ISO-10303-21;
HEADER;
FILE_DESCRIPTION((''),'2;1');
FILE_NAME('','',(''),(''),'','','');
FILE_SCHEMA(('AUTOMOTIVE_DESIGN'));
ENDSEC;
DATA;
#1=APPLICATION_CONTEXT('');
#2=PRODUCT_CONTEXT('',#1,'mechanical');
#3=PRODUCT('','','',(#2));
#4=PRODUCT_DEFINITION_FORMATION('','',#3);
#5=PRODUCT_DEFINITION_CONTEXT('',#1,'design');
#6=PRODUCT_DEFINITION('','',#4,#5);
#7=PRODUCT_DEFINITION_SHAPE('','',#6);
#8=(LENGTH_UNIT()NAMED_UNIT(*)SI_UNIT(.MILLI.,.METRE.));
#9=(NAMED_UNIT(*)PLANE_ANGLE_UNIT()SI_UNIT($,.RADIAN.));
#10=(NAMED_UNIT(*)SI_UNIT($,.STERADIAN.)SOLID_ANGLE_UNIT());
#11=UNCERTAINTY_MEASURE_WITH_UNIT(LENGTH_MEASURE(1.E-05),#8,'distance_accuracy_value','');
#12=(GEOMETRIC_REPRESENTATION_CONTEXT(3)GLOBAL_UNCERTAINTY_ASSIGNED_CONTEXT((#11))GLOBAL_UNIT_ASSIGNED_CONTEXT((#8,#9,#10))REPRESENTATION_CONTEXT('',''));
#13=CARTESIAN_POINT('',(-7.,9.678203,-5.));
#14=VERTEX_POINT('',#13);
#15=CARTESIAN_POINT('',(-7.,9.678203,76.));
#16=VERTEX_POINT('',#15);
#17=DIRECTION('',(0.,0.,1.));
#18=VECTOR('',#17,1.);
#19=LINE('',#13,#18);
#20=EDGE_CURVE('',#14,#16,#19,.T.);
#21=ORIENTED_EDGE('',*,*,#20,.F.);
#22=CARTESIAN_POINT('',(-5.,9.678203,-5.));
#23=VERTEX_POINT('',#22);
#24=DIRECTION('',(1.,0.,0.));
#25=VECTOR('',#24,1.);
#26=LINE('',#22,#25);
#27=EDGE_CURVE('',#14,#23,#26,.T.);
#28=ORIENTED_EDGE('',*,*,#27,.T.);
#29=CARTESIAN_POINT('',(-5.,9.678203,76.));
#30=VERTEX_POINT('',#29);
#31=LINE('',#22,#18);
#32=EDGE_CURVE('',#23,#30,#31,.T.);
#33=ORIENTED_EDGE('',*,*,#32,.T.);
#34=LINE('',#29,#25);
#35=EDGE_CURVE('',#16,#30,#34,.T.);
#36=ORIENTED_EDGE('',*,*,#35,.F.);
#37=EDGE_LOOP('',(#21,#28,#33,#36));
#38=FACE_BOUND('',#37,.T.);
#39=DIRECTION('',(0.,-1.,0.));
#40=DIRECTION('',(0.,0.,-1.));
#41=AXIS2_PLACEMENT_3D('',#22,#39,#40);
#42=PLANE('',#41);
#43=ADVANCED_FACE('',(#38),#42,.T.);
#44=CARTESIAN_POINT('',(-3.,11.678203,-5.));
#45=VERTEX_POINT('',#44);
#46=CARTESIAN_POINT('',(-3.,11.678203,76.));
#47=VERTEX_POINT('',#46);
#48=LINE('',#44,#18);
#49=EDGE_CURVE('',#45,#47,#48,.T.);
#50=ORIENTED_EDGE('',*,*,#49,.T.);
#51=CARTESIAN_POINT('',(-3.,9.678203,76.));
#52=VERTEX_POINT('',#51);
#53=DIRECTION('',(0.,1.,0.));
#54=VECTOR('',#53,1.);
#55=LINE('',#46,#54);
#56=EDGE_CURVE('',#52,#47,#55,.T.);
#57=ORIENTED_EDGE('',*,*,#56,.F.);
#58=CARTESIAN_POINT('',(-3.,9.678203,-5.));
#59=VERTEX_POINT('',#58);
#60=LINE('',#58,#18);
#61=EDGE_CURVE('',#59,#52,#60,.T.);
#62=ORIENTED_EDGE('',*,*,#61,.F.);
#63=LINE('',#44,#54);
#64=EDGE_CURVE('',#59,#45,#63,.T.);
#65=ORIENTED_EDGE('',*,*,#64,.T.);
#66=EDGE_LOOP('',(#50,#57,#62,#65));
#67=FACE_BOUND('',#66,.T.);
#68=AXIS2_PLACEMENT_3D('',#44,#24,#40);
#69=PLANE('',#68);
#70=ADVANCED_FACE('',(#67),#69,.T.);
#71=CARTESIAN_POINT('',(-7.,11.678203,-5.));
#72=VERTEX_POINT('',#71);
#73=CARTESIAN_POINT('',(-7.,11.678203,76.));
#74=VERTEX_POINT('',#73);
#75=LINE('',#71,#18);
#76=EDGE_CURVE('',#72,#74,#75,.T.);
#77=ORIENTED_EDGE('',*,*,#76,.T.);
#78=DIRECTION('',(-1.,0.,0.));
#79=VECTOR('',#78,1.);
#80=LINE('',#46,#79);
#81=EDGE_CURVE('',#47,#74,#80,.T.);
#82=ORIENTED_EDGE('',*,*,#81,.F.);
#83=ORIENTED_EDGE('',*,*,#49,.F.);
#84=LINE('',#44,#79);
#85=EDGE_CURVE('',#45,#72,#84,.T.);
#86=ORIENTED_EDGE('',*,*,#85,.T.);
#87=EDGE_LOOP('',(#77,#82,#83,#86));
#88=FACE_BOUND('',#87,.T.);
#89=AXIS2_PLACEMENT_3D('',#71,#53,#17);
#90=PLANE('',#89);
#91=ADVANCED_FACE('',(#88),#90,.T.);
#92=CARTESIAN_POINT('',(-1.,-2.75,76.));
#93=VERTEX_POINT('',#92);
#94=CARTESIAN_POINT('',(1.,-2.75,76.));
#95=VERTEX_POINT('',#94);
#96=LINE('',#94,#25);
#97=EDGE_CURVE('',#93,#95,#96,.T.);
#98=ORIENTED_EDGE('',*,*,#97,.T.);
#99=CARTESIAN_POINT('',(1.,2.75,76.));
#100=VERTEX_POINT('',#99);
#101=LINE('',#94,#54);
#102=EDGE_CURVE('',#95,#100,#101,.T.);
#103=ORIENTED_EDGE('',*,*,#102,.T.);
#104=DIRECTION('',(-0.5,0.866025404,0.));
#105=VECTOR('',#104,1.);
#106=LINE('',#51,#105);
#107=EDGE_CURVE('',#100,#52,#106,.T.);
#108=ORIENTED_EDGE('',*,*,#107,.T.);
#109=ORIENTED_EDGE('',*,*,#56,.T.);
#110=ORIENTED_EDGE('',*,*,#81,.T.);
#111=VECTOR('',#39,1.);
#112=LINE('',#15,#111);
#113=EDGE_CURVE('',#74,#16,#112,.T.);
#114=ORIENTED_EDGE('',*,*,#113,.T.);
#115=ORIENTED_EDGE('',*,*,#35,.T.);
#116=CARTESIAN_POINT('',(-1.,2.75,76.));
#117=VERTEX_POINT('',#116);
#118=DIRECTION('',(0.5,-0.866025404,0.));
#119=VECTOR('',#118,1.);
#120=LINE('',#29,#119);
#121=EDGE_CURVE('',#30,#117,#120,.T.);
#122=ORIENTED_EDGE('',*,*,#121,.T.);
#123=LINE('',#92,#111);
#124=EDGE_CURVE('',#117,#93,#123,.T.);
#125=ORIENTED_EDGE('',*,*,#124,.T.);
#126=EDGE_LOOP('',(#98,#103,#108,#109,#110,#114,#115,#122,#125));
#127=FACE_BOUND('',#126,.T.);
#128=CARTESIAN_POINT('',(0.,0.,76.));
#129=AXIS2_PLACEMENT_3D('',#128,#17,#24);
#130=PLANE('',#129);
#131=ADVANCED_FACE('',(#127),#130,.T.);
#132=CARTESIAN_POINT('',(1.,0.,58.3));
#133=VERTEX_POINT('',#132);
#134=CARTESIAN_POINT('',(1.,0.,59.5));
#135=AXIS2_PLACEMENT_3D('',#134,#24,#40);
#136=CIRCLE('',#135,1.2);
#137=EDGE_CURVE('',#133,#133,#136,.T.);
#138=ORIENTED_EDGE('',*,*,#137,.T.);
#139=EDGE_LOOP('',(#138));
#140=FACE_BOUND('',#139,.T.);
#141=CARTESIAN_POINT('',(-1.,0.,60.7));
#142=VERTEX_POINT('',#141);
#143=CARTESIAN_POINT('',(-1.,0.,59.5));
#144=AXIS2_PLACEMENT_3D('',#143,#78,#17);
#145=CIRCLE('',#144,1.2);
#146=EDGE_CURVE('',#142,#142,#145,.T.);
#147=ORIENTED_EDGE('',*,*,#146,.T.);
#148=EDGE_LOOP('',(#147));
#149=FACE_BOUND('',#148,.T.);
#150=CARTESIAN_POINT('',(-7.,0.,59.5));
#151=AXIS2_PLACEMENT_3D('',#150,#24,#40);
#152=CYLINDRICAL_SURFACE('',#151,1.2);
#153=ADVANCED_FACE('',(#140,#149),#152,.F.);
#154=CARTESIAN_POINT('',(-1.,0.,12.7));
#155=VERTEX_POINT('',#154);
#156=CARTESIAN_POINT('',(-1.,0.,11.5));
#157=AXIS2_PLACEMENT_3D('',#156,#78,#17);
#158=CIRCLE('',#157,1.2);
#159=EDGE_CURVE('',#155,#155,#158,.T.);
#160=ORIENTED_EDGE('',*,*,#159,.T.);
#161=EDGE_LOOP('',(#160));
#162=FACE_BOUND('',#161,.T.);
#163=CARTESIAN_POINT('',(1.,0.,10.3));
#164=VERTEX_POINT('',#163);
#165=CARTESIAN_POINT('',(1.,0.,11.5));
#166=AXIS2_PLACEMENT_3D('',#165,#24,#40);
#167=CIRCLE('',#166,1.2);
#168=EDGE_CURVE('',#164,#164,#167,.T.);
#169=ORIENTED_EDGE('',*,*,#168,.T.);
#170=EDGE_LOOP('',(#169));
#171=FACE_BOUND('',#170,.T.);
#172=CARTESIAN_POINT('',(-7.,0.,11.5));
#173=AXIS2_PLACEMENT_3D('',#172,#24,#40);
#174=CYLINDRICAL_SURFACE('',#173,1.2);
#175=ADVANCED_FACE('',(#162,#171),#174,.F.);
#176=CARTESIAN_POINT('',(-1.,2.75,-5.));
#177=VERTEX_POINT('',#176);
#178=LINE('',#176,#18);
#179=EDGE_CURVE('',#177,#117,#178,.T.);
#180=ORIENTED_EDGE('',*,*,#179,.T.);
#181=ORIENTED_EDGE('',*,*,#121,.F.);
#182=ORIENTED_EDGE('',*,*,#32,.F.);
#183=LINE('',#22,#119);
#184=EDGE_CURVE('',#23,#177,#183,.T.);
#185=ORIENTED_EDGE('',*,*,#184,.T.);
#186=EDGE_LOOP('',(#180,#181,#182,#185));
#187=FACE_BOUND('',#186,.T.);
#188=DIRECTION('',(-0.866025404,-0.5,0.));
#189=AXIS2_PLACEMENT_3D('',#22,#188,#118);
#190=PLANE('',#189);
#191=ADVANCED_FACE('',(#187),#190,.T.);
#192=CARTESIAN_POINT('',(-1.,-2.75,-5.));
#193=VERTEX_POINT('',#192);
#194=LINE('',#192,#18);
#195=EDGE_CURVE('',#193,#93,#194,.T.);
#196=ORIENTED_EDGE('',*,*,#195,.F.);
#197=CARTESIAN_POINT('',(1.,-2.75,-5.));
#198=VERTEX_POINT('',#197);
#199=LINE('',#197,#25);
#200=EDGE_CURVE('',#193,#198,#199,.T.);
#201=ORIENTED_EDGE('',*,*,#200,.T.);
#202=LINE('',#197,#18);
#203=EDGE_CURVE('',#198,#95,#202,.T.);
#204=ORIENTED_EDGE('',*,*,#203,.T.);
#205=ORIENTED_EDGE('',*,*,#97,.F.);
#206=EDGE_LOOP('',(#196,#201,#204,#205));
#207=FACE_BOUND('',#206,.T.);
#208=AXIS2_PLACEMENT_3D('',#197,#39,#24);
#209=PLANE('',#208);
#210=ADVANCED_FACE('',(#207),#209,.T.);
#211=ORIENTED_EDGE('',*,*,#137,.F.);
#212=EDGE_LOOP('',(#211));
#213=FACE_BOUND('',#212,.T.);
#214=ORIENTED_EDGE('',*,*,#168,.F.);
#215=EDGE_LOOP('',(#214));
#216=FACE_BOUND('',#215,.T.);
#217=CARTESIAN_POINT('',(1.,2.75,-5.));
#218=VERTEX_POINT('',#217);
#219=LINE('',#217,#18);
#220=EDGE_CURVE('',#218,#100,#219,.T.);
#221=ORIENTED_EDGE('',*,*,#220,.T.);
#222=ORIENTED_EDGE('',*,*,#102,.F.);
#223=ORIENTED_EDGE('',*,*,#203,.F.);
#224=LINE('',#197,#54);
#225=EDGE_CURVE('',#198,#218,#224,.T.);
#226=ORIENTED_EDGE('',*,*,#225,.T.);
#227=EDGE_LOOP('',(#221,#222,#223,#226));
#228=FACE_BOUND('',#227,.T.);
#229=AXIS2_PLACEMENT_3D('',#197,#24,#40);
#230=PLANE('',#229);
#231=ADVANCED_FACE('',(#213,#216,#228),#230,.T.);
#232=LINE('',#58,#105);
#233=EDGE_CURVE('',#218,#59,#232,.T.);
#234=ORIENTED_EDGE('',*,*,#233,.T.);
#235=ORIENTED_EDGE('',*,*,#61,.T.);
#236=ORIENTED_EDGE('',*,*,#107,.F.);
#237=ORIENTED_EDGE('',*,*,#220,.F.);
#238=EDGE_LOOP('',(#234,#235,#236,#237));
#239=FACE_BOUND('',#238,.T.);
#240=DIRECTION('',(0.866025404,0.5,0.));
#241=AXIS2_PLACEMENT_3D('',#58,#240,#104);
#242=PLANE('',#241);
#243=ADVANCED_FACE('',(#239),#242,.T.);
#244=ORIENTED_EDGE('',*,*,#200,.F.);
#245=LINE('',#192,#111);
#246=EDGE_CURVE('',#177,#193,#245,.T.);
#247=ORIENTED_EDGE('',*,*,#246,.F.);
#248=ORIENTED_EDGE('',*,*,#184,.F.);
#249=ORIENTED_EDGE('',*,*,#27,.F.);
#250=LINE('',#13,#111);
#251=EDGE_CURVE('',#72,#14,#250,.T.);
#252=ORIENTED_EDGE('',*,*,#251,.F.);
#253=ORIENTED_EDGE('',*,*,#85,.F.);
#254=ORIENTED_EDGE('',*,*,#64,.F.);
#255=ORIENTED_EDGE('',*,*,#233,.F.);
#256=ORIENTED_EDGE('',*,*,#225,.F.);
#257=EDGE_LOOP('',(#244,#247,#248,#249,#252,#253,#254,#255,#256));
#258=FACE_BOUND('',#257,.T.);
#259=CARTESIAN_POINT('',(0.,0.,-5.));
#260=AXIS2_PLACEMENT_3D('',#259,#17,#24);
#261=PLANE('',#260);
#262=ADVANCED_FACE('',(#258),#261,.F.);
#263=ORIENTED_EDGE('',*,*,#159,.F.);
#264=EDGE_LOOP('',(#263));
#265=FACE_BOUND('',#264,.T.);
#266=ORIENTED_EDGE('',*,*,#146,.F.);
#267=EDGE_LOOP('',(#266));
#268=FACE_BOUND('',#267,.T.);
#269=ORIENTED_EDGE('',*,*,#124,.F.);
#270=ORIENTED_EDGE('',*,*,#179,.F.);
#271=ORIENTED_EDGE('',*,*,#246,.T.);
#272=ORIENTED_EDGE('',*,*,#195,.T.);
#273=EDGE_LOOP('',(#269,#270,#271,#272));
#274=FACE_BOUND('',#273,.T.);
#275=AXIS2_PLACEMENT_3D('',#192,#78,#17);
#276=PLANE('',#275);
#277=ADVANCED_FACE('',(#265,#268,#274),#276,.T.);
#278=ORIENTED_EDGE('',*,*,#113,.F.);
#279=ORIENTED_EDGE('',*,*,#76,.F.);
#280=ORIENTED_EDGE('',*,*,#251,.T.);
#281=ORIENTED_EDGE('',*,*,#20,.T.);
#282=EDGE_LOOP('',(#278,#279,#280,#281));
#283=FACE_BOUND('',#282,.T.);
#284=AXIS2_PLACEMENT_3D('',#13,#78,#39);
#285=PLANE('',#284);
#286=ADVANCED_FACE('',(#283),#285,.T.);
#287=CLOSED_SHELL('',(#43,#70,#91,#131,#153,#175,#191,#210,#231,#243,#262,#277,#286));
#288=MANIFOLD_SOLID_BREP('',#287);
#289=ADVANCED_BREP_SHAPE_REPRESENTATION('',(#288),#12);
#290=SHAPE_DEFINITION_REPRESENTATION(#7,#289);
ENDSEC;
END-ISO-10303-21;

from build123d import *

# Parameters (mm, degrees)
EXTRUDE_1_DEPTH      = 76
EXTRUDE_1_DEPTH_BACK = 5
SKETCH_2_R           = 1.2
CUT_EXTRUDE_1_DEPTH  = 78.307052917


with BuildPart() as part:
    # ｽｹｯﾁ1 → ﾎﾞｽ - 押し出し1 (new, two sides: drawn at the far end of the back side and taken through both)
    with BuildSketch(Plane.XY.offset(-EXTRUDE_1_DEPTH_BACK)):
        Polygon((-5, 9.67820323), (-1, 2.75), (-1, -2.75), (1, -2.75), (1, 2.75), (-3, 9.67820323), (-3, 11.67820323), (-5, 11.67820323), (-7, 11.67820323), (-7, 9.67820323), align=None)
    extrude(amount=EXTRUDE_1_DEPTH + EXTRUDE_1_DEPTH_BACK)

    # ｽｹｯﾁ2 → ｶｯﾄ - 押し出し1 (cut, through all)
    with BuildSketch(Plane(origin=(1, 0, 0), x_dir=(0, 0, -1), z_dir=(1, 0, 0))):
        with Locations((-59.5, 0)):
            Circle(SKETCH_2_R)
        with Locations((-11.5, 0)):
            Circle(SKETCH_2_R)
    extrude(amount=-CUT_EXTRUDE_1_DEPTH, mode=Mode.SUBTRACT)


solid = part.part
